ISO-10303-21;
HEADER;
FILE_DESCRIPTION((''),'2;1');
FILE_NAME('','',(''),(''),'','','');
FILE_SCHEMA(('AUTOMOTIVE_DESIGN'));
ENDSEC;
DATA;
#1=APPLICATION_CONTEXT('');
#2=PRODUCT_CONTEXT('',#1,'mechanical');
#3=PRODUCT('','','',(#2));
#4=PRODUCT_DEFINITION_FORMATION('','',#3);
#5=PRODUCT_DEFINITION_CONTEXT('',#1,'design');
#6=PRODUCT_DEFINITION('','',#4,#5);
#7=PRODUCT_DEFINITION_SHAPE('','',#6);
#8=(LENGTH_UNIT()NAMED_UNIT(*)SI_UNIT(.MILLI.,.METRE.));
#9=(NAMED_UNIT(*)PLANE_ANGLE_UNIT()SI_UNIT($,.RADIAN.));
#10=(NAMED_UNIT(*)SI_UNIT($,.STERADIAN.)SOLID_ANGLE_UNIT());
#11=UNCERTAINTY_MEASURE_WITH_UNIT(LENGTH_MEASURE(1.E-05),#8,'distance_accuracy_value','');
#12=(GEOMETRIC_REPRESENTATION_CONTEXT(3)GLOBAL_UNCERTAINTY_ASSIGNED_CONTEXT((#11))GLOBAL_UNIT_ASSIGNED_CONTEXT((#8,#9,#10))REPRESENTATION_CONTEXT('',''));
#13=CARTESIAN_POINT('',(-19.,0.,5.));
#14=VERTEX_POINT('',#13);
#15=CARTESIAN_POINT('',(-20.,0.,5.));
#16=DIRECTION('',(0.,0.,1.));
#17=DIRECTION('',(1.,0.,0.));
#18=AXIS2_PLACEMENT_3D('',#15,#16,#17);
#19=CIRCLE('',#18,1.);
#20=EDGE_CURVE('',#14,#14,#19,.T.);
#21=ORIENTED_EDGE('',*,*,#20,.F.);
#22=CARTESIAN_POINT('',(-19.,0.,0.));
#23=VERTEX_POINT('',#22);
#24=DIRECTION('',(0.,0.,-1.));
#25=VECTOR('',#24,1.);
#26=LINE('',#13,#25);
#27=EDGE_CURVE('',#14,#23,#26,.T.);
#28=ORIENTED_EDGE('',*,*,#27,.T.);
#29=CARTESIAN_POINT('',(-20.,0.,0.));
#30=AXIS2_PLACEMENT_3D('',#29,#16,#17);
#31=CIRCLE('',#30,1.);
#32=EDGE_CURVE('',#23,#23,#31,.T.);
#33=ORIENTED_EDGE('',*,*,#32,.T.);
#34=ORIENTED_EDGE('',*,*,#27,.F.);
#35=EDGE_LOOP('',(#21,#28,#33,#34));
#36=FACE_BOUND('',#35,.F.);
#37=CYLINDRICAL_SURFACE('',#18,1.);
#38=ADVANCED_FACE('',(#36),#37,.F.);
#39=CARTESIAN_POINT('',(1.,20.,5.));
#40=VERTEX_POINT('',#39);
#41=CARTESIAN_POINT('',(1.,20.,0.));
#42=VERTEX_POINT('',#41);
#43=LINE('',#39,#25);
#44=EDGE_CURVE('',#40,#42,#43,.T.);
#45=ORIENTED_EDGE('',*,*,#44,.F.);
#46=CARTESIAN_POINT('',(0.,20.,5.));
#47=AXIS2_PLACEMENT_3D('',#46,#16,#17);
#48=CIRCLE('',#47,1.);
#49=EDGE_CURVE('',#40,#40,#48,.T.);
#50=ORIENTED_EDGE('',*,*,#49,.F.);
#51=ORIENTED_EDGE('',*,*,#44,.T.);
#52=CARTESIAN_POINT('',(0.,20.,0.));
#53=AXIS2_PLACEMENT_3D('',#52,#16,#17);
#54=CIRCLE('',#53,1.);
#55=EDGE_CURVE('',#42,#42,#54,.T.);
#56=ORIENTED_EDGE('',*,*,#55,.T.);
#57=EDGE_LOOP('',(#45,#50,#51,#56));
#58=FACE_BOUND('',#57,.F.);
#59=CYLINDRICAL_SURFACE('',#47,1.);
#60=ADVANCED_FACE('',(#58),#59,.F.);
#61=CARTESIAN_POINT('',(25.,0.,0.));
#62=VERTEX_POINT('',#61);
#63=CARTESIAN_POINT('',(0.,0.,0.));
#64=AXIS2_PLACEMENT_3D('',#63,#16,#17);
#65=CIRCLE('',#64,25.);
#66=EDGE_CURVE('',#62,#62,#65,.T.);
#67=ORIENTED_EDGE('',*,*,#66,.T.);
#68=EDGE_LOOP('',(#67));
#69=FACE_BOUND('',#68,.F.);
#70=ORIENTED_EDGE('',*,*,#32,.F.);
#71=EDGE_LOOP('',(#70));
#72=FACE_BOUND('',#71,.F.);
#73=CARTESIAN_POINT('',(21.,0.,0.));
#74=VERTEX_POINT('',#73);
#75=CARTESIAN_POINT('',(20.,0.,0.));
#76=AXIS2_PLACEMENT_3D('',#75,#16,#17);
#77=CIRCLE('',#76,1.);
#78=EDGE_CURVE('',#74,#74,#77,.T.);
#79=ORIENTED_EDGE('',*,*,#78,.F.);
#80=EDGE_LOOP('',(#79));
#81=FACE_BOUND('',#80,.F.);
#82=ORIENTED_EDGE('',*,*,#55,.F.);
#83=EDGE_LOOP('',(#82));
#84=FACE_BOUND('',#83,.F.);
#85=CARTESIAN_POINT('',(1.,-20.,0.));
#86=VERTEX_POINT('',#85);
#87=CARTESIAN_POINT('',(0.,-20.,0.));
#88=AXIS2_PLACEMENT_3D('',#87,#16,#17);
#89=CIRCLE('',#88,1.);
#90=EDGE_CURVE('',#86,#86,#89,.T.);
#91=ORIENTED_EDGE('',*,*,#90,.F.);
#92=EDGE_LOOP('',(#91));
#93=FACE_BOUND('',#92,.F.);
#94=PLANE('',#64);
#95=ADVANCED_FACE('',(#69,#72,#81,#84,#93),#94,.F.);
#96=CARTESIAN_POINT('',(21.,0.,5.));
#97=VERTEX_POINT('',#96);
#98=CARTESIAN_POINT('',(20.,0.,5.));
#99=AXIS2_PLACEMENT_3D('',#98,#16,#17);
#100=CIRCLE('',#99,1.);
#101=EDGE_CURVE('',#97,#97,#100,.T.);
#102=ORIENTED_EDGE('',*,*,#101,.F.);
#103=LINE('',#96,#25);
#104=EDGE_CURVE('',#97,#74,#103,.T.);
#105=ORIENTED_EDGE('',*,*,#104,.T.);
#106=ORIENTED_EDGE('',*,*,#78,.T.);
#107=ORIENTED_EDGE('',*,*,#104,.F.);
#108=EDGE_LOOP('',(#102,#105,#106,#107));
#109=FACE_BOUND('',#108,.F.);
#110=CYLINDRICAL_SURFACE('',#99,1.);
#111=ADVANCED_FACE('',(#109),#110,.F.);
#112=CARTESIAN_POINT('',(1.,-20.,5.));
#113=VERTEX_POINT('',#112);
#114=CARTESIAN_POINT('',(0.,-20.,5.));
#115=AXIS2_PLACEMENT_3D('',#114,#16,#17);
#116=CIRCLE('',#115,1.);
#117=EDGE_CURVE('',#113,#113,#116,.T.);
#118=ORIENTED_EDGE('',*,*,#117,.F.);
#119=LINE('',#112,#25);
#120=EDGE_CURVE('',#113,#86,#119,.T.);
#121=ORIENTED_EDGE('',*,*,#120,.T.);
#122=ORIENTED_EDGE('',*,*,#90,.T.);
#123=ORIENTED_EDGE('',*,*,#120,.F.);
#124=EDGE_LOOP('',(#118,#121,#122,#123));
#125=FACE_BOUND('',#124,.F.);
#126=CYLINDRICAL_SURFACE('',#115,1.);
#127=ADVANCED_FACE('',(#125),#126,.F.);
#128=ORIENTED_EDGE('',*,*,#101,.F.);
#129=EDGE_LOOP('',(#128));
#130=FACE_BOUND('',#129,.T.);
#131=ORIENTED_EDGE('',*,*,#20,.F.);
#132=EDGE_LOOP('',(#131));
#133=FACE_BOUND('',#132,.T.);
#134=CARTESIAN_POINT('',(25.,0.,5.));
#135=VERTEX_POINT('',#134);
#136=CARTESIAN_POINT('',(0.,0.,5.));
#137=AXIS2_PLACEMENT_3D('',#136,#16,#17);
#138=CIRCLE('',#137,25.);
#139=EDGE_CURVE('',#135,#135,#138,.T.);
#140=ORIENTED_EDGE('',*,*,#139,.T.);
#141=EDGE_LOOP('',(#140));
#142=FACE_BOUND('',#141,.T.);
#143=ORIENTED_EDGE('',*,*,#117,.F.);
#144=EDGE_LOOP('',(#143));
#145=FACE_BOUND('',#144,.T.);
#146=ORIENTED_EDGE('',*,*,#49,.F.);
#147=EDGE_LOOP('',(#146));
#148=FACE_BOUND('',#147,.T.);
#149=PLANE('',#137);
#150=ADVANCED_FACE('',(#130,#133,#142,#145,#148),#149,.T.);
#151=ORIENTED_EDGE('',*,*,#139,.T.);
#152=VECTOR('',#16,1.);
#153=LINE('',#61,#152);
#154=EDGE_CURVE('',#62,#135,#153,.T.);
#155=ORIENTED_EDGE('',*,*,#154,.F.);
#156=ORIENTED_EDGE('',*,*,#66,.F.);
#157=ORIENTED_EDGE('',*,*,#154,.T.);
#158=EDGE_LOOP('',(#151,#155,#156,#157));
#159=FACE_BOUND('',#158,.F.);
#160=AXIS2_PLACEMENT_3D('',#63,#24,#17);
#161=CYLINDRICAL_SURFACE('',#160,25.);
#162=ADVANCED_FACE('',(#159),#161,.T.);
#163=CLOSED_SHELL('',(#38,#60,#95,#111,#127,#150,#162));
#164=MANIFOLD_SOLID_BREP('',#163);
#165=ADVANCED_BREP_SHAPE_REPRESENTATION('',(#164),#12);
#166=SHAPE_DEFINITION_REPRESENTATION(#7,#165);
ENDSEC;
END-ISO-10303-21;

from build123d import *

# Parameters (mm, degrees)
F0_R     = 25
F1_DEPTH = 5
F2_R     = 1
F3_DEPTH = 5.001


with BuildPart() as f1:
    # F0 (on Top) → F1 (new body)
    with BuildSketch(Plane.XY):
        Circle(F0_R)
    extrude(amount=F1_DEPTH)

    # F2 (on face) → F3 (cut, through all)
    with BuildSketch(Plane.XY.offset(5)):
        with Locations((0, 20)):
            Circle(F2_R)
        with Locations((-20, 0)):
            Circle(F2_R)
        with Locations((0, -20)):
            Circle(F2_R)
        with Locations((20, 0)):
            Circle(F2_R)
    extrude(amount=-F3_DEPTH, mode=Mode.SUBTRACT)


solid = f1.part
